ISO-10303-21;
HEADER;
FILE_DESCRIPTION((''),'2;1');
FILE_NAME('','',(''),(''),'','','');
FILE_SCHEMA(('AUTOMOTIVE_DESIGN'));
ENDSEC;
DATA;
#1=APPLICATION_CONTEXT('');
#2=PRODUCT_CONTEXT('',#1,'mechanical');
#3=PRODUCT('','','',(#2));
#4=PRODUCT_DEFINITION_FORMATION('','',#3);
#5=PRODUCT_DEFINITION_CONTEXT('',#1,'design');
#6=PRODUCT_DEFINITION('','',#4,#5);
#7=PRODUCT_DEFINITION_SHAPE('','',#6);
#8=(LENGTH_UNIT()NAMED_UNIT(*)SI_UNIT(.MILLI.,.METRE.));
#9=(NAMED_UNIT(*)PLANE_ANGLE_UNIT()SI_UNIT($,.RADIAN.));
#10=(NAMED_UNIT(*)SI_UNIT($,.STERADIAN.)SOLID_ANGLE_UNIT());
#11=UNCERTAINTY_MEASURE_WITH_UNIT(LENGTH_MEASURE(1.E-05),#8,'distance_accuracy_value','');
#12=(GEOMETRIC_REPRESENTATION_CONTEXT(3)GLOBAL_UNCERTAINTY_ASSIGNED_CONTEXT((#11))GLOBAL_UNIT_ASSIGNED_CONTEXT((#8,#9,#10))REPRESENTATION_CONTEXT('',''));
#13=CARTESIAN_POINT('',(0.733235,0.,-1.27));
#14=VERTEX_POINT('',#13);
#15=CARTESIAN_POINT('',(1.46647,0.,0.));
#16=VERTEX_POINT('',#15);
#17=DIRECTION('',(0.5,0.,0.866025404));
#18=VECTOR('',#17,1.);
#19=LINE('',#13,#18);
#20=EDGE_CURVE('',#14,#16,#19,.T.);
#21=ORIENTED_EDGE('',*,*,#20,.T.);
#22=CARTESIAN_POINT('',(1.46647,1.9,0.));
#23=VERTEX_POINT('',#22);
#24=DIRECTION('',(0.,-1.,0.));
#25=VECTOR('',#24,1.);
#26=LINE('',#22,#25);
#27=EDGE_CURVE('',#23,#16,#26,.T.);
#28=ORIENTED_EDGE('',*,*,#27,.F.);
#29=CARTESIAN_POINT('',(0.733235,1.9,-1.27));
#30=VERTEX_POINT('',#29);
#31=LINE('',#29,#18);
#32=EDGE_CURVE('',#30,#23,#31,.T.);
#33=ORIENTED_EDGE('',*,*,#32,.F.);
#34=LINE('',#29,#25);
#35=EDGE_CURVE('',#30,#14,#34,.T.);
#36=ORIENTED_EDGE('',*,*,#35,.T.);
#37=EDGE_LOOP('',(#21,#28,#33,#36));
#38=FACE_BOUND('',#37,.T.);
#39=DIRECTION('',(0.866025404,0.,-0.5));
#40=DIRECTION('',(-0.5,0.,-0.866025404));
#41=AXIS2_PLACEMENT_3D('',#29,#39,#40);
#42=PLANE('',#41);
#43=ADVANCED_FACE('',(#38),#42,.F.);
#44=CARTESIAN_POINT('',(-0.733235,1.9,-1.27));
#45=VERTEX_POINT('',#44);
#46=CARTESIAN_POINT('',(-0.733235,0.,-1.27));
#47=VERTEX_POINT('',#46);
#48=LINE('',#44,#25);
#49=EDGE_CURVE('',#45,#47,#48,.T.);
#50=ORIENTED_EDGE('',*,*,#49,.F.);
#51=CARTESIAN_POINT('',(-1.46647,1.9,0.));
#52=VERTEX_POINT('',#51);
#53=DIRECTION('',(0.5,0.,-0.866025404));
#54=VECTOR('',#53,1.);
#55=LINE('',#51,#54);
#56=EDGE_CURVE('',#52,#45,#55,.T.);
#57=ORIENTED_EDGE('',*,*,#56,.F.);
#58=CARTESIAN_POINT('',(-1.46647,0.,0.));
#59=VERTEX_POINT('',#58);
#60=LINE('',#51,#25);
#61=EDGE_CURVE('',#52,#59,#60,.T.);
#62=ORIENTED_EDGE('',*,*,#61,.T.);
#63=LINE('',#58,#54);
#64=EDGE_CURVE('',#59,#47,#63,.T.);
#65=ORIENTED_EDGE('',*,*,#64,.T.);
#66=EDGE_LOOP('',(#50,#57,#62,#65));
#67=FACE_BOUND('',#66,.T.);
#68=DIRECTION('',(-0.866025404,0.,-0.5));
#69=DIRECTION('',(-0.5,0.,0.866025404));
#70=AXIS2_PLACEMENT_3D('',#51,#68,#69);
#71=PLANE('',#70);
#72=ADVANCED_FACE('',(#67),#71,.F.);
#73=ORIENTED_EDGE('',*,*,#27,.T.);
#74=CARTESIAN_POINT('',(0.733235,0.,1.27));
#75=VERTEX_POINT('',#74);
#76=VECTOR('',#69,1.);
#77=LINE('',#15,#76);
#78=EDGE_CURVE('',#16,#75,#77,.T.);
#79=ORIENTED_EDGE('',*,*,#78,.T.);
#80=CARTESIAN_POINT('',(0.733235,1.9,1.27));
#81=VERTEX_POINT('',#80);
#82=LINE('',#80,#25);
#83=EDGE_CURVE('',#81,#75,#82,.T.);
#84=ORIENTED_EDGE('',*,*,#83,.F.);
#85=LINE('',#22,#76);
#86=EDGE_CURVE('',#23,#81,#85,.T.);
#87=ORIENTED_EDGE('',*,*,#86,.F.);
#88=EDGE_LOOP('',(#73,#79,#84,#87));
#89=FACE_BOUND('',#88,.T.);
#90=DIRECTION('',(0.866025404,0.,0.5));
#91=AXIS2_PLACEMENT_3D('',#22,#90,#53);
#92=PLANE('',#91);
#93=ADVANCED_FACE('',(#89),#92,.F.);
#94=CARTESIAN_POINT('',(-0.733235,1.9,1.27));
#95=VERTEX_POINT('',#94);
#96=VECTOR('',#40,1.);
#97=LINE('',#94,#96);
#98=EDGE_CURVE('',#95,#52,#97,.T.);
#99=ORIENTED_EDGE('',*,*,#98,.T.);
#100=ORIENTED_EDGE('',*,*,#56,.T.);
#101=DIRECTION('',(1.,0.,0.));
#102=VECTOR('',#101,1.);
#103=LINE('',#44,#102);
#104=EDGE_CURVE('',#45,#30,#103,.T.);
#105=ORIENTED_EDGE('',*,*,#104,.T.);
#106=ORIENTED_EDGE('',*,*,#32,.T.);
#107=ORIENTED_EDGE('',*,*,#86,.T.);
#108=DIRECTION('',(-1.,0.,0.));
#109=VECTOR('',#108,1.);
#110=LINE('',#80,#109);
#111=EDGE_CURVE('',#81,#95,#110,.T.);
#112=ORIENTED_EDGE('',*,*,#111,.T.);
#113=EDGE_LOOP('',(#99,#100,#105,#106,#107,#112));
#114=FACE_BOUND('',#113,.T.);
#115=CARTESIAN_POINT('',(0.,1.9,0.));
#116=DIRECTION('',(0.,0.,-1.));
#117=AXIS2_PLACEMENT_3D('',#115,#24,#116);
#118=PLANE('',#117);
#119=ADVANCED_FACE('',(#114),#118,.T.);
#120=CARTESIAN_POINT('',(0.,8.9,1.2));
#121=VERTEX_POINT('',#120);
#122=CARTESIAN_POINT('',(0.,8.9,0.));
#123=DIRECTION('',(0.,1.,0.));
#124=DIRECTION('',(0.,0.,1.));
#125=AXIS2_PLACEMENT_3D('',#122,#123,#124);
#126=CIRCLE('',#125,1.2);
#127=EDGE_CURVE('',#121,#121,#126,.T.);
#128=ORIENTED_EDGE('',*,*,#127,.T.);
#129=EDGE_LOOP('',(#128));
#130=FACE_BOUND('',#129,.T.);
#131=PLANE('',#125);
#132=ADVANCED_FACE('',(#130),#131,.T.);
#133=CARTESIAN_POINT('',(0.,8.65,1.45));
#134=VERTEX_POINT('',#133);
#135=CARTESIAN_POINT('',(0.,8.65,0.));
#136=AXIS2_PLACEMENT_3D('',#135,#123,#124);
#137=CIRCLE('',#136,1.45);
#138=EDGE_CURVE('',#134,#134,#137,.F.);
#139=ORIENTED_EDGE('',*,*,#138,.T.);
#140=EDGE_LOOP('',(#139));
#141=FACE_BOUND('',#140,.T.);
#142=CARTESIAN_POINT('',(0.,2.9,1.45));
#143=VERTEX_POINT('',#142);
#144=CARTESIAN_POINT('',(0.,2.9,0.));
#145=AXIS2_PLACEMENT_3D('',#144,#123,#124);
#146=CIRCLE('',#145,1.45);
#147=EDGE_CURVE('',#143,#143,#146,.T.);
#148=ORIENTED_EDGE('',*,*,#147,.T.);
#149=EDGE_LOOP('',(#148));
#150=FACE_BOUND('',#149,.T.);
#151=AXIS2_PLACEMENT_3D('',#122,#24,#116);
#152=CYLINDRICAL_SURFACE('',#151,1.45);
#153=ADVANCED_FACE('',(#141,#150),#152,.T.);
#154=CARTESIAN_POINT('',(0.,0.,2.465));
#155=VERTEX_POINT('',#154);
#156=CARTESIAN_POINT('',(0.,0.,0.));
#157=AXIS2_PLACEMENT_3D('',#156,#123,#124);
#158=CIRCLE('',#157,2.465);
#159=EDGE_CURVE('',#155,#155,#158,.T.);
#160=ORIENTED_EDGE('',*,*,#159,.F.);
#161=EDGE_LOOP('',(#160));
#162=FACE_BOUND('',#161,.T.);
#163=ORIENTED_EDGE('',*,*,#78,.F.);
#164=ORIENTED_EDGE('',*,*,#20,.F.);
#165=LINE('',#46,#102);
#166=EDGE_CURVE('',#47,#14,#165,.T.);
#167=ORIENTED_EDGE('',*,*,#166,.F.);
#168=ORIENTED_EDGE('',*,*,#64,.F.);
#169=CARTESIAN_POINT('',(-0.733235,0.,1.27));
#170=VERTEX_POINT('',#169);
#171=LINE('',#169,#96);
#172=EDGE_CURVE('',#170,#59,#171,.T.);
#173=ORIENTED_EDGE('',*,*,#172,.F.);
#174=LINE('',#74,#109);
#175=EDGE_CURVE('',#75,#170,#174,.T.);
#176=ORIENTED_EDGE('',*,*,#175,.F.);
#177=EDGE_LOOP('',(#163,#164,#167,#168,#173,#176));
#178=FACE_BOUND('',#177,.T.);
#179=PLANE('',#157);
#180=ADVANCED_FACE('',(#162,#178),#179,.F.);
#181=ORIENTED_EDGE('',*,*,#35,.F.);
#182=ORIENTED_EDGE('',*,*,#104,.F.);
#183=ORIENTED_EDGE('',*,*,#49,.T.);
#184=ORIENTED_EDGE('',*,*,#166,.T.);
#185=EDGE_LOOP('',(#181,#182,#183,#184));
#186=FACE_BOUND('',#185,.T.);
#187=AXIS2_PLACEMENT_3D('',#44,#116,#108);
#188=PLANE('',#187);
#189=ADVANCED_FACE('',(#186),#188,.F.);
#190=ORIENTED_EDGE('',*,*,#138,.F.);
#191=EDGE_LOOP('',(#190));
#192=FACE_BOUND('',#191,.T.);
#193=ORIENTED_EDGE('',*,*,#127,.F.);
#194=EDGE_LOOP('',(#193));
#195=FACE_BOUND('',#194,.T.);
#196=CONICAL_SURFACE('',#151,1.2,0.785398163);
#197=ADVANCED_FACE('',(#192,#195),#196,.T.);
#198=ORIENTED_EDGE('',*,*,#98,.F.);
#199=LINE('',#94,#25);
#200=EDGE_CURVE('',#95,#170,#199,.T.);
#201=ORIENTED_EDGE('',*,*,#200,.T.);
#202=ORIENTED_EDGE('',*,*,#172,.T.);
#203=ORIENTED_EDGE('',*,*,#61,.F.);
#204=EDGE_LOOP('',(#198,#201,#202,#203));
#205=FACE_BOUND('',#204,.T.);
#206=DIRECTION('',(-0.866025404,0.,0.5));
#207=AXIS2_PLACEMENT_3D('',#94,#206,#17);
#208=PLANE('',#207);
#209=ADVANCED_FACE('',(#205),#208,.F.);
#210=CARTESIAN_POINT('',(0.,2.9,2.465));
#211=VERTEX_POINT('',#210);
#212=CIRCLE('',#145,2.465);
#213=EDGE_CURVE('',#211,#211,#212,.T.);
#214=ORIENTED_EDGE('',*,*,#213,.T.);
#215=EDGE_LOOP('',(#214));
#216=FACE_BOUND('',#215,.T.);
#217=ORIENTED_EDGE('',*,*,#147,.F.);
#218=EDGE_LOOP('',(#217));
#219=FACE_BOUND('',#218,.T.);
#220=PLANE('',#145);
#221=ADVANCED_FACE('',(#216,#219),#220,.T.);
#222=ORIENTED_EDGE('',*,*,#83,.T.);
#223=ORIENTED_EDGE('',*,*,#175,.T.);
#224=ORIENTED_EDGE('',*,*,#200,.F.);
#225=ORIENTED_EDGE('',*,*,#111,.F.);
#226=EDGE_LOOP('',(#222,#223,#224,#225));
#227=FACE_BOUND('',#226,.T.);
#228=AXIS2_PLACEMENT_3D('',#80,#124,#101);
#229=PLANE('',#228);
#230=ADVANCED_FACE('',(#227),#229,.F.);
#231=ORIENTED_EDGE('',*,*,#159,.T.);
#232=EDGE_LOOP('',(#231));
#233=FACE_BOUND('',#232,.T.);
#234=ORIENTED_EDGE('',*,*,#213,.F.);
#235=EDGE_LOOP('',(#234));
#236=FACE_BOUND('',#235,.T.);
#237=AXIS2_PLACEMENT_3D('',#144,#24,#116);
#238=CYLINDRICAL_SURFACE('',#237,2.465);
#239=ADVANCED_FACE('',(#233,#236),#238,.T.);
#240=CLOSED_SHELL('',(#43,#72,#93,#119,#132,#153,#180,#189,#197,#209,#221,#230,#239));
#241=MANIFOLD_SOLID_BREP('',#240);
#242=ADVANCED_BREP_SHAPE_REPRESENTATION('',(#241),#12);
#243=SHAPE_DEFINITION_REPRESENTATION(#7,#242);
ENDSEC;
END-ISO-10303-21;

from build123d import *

# Parameters (mm, degrees)
SKETCH1_R           = 2.465
BOSS_EXTRUDE1_DEPTH = 2.9
SKETCH2_R           = 1.45
BOSS_EXTRUDE2_DEPTH = 6
CUT_EXTRUDE1_DEPTH  = 1.9
CHAMFER1_SIZE       = 0.25


with BuildPart() as part:
    # Sketch1 → Boss-Extrude1 (new body)
    with BuildSketch(Plane(origin=(0, 0, 0), x_dir=(1, 0, 0), z_dir=(0, 1, 0))):
        Circle(SKETCH1_R)
    extrude(amount=BOSS_EXTRUDE1_DEPTH)

    # Sketch2 → Boss-Extrude2 (add)
    with BuildSketch(Plane(origin=(0, 2.9, 0), x_dir=(1, 0, 0), z_dir=(0, 1, 0))):
        Circle(SKETCH2_R)
    extrude(amount=BOSS_EXTRUDE2_DEPTH)

    # Sketch3 → Cut-Extrude1 (cut)
    with BuildSketch(Plane.XZ):
        Polygon((0.733234842, -1.27), (1.466469684, 0), (0.733234842, 1.27), (-0.733234842, 1.27), (-1.466469684, 0), (-0.733234842, -1.27), align=None)
    extrude(amount=-CUT_EXTRUDE1_DEPTH, mode=Mode.SUBTRACT)

    # Chamfer1
    chamfer1_edges = [part.edges().sort_by_distance(p)[0] for p in [
        (-1.45, 8.9, 0),
    ]]
    chamfer(chamfer1_edges, length=CHAMFER1_SIZE)


solid = part.part
